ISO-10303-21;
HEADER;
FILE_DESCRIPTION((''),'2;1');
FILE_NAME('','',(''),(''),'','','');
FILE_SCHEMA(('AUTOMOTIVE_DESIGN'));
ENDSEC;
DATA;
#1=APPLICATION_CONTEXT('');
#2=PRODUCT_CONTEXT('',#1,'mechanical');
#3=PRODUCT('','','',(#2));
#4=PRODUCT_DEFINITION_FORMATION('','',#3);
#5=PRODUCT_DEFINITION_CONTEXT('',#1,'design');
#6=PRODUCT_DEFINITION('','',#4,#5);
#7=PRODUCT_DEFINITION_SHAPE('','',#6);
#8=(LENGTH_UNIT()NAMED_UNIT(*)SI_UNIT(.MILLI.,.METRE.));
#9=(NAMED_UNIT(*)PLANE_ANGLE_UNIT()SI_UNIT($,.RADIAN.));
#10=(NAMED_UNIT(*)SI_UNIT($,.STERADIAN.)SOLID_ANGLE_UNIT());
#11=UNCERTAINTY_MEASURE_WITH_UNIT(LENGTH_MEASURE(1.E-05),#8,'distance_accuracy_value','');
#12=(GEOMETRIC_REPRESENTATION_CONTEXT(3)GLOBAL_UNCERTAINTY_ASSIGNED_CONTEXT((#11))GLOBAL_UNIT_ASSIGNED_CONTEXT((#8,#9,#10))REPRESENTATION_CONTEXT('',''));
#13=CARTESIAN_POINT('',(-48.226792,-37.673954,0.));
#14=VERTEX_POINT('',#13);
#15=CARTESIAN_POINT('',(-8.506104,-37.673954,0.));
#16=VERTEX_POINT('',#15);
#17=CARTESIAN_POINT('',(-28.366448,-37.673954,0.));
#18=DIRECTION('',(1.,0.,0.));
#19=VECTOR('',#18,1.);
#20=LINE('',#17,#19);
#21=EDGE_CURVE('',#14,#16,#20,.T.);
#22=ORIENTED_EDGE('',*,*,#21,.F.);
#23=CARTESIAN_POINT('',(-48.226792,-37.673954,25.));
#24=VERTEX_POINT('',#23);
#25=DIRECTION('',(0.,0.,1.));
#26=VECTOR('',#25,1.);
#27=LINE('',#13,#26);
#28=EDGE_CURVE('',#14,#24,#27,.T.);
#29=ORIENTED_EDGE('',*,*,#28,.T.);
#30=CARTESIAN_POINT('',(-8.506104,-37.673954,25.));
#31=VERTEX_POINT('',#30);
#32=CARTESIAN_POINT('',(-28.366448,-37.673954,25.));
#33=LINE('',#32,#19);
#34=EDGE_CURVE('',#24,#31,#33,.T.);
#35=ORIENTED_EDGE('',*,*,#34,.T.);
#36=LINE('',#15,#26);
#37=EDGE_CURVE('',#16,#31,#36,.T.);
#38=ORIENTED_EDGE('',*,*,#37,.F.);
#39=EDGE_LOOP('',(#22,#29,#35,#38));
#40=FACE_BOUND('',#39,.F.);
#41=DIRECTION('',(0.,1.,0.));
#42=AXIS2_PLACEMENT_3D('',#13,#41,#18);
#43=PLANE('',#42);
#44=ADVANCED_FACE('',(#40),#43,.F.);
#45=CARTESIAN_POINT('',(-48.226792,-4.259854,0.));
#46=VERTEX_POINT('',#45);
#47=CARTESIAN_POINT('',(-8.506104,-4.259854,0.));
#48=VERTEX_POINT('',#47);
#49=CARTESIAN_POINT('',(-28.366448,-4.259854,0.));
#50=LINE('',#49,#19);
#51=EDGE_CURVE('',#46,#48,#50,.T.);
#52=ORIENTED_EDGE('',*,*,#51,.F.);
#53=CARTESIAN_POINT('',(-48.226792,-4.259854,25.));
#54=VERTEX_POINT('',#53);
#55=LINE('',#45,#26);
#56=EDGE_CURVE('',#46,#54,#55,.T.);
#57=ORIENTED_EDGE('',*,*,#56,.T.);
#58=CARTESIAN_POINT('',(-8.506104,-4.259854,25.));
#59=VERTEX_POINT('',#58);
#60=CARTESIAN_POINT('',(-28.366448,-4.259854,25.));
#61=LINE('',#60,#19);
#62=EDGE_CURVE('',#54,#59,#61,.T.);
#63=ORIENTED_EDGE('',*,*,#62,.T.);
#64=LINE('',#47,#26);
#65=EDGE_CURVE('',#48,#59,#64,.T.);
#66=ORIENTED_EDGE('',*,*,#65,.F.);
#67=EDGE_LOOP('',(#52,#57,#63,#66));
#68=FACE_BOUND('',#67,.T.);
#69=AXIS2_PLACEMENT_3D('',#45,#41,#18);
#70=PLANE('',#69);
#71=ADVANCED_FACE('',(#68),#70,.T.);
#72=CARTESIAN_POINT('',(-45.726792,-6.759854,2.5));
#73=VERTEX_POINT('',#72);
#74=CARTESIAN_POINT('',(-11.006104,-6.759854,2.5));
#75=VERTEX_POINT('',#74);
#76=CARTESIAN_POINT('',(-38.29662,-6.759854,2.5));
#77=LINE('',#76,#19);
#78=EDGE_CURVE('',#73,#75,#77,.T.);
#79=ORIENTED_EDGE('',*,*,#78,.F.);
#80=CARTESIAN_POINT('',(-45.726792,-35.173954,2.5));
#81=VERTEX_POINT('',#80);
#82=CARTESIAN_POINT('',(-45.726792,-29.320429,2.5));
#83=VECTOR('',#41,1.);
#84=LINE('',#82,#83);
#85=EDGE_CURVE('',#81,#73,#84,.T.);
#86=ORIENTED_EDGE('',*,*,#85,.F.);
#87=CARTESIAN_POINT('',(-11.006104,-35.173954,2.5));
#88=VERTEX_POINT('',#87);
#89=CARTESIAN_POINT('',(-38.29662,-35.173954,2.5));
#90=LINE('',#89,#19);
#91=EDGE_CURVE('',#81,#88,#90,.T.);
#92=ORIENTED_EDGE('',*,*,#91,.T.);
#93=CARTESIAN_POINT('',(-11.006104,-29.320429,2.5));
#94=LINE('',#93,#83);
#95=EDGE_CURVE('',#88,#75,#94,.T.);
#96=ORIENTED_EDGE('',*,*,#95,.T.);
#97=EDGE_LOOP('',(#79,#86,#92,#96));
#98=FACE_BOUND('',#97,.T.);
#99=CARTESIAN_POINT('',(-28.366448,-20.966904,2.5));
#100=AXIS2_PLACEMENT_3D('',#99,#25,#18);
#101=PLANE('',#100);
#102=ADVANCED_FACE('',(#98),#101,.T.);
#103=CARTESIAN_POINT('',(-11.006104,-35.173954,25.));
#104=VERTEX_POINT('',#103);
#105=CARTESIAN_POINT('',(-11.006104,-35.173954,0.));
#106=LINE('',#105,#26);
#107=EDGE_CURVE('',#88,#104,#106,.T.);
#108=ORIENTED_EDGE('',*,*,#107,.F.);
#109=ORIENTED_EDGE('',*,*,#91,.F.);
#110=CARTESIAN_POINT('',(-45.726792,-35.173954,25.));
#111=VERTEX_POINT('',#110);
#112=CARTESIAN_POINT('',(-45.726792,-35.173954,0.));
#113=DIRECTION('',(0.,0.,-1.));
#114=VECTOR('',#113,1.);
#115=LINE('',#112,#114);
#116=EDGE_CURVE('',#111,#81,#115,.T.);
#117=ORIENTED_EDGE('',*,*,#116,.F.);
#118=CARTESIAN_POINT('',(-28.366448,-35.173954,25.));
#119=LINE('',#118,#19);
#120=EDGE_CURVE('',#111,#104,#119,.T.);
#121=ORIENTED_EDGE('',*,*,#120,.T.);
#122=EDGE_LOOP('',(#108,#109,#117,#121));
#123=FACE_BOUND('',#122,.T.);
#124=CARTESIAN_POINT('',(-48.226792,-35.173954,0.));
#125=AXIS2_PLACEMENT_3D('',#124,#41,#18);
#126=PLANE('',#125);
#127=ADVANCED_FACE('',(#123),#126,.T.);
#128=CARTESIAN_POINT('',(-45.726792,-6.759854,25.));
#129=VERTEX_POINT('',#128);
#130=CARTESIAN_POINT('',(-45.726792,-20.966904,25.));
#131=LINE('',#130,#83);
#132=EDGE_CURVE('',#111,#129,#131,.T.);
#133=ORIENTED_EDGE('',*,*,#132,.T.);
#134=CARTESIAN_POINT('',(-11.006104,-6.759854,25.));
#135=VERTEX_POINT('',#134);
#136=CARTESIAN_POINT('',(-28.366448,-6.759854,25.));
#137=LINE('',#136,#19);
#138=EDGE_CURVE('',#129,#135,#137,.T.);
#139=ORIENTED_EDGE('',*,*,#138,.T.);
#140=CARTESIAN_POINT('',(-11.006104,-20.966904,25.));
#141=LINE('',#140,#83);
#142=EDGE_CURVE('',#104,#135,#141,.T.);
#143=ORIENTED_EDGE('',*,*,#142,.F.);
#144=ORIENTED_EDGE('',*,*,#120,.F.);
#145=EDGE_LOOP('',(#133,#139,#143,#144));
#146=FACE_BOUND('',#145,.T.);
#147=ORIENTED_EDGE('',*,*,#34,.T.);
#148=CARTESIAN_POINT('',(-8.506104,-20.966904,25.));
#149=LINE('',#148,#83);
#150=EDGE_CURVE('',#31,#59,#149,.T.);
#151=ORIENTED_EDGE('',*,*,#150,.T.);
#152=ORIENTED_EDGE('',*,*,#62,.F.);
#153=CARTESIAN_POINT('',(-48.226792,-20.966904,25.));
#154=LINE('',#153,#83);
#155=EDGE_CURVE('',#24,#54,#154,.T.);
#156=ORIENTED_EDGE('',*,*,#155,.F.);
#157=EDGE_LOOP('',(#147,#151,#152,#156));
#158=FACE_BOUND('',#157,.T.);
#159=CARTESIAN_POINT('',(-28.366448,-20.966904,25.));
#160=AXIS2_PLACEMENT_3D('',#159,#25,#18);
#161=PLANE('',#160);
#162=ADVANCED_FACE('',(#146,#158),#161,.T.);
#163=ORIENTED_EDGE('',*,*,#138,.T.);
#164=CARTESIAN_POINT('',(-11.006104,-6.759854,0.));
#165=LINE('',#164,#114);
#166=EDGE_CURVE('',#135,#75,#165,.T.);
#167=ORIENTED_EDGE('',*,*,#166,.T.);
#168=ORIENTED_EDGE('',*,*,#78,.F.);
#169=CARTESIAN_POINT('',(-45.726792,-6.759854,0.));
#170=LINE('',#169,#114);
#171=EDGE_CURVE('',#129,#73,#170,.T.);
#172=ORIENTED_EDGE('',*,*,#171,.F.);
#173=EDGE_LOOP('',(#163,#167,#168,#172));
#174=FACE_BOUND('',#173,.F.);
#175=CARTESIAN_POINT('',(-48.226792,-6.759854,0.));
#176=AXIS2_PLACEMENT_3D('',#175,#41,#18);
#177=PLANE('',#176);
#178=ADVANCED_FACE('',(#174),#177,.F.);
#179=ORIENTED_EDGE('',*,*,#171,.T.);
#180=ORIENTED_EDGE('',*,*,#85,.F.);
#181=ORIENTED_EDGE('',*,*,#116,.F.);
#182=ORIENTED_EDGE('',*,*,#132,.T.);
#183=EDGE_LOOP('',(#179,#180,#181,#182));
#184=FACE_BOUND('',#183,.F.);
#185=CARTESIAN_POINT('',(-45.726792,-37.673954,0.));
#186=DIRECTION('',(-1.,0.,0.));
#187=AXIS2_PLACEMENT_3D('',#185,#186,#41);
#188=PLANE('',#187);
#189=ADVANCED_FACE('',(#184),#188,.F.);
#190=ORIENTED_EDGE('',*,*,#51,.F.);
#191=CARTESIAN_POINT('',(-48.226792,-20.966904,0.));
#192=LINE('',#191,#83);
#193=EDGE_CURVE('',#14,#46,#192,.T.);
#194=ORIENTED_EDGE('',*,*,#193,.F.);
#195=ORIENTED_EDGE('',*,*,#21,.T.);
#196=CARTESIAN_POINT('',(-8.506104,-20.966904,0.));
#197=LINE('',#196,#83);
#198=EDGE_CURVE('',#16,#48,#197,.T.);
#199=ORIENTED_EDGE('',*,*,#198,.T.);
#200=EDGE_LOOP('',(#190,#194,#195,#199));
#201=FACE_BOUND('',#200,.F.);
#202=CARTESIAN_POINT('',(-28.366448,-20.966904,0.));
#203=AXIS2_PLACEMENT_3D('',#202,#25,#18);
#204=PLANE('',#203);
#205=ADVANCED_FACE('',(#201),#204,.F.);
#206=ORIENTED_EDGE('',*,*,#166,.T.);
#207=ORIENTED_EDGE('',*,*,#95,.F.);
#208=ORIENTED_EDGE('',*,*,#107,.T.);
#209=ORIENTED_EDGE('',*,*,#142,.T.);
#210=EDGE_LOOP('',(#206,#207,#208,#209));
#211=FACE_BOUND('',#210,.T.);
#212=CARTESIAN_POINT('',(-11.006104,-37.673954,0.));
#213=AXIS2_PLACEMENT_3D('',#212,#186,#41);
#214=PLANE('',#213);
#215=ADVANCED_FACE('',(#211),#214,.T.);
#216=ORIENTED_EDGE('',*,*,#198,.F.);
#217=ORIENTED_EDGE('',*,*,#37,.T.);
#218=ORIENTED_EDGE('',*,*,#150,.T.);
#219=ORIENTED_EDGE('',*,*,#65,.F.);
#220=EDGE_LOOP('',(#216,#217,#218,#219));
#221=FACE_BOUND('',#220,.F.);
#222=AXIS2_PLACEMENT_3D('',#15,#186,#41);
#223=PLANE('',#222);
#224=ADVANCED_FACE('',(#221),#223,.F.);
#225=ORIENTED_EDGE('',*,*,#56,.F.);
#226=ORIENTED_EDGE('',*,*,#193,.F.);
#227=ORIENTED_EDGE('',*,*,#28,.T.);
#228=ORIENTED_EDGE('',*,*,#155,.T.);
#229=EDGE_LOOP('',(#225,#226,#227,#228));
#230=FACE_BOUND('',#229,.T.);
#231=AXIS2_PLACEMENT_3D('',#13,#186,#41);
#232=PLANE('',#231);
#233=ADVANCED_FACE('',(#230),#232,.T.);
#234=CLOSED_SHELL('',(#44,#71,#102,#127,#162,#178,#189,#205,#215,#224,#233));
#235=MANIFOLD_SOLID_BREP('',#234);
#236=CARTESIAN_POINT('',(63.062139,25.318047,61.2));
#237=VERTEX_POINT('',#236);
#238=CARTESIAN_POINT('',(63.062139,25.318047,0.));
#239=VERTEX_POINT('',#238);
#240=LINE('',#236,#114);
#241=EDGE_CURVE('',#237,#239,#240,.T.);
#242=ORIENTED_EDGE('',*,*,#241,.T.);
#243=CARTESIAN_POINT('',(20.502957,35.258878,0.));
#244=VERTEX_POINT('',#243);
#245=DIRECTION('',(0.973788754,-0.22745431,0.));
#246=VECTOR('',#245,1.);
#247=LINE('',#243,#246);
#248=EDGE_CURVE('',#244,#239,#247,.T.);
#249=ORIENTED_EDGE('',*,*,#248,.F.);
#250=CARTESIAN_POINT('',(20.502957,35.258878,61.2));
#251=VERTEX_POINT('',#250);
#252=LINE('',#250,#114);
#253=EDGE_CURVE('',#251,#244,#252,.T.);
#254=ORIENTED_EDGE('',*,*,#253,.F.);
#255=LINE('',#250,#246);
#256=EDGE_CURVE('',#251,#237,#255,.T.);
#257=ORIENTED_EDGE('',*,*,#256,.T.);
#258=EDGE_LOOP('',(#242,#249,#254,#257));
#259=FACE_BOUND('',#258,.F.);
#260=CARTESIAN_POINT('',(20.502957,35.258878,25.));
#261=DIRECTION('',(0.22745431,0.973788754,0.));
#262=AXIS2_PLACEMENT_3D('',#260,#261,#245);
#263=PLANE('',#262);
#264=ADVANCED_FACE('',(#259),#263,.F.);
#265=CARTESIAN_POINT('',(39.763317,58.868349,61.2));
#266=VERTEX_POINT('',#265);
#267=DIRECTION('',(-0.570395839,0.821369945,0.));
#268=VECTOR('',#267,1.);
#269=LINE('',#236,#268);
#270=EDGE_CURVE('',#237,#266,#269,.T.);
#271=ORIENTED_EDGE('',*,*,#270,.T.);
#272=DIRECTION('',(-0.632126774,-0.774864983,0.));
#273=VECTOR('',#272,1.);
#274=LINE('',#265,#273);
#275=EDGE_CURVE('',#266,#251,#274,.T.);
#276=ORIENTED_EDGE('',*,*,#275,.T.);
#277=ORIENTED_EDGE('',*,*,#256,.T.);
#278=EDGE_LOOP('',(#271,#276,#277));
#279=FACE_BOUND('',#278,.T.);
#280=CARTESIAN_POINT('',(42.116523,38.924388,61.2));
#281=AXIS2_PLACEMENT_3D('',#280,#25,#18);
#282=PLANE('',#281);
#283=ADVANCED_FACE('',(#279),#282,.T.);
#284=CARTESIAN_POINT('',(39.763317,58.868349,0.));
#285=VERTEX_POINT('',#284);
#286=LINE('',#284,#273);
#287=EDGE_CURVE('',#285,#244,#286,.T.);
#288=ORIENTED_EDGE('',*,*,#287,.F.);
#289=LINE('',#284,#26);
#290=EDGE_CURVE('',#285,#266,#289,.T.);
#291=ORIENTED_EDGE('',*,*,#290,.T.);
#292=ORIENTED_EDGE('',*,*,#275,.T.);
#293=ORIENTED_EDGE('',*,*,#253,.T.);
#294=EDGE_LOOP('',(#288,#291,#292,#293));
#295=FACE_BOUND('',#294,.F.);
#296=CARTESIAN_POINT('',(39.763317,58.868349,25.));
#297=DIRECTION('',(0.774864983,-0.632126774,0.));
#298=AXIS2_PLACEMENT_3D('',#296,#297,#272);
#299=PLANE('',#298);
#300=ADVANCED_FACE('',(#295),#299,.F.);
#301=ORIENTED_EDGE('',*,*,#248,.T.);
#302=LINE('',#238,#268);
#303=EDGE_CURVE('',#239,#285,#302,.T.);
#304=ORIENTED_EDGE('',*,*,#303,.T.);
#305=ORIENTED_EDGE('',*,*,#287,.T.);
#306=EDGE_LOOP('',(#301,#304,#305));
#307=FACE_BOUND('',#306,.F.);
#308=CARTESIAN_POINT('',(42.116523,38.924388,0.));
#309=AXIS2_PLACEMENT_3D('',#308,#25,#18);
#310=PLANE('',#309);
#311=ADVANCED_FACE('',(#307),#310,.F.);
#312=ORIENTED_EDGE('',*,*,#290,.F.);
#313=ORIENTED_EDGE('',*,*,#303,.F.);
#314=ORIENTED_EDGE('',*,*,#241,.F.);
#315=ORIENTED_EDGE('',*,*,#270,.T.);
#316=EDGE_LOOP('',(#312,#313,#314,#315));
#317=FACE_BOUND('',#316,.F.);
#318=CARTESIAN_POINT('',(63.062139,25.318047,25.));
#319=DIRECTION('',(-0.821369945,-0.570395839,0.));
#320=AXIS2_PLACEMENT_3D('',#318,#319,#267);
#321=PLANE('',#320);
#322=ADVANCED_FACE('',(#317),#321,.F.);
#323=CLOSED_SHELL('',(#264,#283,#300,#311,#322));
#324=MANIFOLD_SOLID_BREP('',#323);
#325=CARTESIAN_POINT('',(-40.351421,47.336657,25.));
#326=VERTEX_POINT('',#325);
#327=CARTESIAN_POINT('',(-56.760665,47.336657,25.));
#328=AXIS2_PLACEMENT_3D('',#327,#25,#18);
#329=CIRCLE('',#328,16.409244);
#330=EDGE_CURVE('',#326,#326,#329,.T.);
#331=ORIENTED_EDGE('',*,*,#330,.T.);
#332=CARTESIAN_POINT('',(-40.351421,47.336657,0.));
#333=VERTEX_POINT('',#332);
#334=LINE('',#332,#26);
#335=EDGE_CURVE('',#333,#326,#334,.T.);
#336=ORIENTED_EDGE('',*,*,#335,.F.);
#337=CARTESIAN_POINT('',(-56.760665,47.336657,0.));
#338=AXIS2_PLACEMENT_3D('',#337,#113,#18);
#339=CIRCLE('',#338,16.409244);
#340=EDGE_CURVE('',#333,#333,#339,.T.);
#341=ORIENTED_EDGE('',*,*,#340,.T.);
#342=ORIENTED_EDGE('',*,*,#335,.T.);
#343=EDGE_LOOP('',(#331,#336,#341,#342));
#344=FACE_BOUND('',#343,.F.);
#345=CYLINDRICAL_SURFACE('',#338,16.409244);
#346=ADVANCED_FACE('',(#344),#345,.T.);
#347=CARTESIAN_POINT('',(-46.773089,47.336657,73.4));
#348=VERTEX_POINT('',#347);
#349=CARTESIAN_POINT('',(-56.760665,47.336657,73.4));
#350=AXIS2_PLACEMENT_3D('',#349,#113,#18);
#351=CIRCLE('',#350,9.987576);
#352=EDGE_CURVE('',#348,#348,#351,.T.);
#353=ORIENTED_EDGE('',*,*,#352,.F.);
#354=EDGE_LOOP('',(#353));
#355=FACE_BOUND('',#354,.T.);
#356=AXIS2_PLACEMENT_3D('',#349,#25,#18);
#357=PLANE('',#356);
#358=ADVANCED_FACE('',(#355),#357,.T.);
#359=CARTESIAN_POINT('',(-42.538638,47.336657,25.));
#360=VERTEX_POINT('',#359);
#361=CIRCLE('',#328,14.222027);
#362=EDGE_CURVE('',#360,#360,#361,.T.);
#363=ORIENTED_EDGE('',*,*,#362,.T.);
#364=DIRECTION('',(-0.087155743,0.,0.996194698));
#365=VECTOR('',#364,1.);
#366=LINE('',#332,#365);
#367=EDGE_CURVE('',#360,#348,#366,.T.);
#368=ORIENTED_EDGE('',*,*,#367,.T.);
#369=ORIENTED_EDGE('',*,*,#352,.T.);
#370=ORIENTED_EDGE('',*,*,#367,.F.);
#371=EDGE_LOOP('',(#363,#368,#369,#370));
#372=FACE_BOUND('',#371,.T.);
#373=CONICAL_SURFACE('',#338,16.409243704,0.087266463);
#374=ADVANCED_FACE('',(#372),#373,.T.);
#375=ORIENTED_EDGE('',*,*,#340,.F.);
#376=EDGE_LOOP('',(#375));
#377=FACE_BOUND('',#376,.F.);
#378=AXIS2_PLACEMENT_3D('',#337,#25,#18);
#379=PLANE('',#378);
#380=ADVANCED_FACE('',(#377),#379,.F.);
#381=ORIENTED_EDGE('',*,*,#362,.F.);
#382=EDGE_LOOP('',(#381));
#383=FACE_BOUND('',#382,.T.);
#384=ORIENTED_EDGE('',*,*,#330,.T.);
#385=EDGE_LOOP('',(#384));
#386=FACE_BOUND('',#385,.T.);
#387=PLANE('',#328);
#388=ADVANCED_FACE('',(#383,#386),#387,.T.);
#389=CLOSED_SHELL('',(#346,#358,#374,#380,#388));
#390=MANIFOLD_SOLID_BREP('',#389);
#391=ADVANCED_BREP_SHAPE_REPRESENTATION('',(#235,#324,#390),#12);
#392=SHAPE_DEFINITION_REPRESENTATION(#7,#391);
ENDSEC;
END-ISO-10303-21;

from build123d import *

# Parameters (mm, degrees)
F0_R     = 16.4092437042
F1_DEPTH = 73.4
F1_TAPER = 5
F2_DEPTH = 25
F0_W     = 39.7206880152
F0_H     = 33.4140998311
F3_T     = -2.5
F4_DEPTH = 36.2


with BuildPart() as f1:
    # F0 (on Top) → F1 (new body)
    with BuildSketch(Plane.XY):
        with Locations((-56.7606650293, 47.3366566002)):
            Circle(F0_R)
    extrude(amount=F1_DEPTH, taper=F1_TAPER)

    # F0 (on Top) → F2 (join)
    with BuildSketch(Plane.XY):
        with Locations((-56.7606650293, 47.3366566002)):
            Circle(F0_R)
    extrude(amount=F2_DEPTH)


with BuildPart() as f2:
    # F0 (on Top) → F2, piece 2 (new body)
    with BuildSketch(Plane.XY):
        with Locations((-28.3664483577, -20.966904005)):
            Rectangle(F0_W, F0_H)
    extrude(amount=F2_DEPTH)

    # F3
    f3_openings = [f2.faces().sort_by_distance(p)[0] for p in [
        (-28.366448, -20.966904, 25),
    ]]
    offset(amount=F3_T, openings=f3_openings)


with BuildPart() as f2b:
    # F0 (on Top) → F2, piece 3 (new body)
    with BuildSketch(Plane.XY):
        Polygon((63.0621388555, 25.3180470318), (39.7633165121, 58.8683485985), (20.5029565841, 35.2588780224), align=None)
    extrude(amount=F2_DEPTH)

    # F4 (add): a face of the model
    f4_faces = [f2b.faces().sort_by_distance(p)[0] for p in [
        (41.1094706506, 39.8150912176, 25),
    ]]
    extrude(f4_faces, amount=F4_DEPTH)


solid = Compound([f1.part, f2.part, f2b.part])
